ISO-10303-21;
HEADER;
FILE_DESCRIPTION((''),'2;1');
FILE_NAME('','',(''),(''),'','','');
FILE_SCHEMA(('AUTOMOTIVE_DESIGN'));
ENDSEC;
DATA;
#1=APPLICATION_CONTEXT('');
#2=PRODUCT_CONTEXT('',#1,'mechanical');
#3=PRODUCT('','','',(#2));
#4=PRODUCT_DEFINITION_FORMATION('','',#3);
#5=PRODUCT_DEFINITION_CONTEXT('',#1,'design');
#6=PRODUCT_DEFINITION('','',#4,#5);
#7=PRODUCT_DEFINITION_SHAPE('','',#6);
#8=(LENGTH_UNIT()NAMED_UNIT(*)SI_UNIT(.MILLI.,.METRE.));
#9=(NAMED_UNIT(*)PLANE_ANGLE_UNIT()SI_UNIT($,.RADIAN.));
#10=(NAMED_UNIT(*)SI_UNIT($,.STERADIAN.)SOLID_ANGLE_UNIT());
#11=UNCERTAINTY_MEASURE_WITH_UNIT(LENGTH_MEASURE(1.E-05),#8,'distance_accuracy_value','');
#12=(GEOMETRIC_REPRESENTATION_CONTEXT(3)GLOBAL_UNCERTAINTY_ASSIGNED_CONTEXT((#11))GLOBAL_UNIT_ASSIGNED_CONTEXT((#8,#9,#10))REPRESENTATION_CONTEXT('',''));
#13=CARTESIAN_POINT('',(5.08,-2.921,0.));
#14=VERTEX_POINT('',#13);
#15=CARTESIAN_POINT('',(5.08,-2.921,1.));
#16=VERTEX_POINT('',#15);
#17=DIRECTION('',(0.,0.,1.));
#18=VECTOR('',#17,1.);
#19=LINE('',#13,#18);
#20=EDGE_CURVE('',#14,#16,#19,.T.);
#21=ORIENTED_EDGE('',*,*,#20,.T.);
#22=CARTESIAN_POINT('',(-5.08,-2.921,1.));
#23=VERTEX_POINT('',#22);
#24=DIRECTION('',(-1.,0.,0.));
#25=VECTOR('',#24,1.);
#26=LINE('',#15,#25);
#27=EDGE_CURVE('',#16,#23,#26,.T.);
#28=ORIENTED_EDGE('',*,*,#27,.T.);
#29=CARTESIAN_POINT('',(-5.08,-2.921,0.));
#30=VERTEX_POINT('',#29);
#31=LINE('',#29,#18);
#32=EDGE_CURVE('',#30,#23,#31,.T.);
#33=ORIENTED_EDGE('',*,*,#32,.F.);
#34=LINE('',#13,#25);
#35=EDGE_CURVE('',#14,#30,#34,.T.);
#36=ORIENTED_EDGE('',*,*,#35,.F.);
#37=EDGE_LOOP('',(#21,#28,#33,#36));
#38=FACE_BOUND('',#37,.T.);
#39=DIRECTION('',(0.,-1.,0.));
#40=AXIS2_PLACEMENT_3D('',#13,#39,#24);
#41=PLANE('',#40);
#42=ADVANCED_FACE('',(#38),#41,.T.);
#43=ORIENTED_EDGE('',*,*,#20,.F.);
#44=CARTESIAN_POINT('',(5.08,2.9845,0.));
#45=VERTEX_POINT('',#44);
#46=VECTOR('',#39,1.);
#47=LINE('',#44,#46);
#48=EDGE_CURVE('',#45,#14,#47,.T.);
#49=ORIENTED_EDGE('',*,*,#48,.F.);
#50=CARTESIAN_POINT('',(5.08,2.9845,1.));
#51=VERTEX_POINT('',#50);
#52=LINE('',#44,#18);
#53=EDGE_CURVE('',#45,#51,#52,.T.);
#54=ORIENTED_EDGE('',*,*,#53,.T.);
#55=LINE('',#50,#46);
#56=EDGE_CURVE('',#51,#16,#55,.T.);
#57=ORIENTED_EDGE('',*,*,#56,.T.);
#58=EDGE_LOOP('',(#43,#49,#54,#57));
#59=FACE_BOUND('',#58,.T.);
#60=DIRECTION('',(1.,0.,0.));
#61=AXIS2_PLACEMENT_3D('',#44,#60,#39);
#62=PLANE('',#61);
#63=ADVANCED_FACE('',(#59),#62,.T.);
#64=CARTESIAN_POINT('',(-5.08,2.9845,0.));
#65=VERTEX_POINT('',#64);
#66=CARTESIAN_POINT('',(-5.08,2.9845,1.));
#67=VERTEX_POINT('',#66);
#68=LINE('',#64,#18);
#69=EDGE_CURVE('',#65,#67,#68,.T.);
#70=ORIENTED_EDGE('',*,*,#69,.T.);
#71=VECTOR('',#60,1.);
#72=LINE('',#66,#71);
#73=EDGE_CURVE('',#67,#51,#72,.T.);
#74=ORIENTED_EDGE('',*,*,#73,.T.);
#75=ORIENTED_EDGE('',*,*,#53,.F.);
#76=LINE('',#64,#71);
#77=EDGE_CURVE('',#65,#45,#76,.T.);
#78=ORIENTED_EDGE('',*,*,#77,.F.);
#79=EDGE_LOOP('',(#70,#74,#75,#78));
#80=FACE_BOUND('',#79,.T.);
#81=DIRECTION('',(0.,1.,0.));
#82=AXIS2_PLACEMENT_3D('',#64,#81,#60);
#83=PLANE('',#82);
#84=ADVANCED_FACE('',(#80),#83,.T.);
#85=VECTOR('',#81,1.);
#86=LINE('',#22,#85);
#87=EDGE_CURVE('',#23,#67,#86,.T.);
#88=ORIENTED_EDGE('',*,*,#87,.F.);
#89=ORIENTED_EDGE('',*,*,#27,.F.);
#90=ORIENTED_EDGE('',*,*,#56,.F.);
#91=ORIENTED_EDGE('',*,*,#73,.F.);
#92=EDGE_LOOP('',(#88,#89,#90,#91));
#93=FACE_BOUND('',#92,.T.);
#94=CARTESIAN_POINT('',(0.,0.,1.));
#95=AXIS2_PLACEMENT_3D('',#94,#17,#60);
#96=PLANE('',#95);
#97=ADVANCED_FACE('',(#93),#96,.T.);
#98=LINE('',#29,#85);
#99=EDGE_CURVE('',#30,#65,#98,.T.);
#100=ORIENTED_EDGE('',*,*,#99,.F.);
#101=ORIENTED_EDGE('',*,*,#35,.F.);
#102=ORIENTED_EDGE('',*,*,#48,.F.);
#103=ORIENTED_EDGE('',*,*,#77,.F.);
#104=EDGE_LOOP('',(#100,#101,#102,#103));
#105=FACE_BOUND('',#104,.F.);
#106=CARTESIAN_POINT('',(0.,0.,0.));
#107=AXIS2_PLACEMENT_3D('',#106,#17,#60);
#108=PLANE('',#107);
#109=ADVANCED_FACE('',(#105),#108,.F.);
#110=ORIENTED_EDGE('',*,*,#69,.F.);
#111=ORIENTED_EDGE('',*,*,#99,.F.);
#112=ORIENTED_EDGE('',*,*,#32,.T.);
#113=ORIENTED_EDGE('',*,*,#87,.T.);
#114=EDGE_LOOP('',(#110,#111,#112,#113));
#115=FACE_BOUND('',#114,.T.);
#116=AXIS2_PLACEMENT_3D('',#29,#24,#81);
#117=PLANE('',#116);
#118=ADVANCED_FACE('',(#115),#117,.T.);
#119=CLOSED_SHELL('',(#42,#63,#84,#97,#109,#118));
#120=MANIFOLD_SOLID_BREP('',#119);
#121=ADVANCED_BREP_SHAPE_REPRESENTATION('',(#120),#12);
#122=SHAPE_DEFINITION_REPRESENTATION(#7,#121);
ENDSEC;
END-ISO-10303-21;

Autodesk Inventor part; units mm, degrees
ref_plane "YZ Plane" through (0, 0, 0) normal (1, 0, 0) x (0, 1, 0)
ref_plane "XZ Plane" through (0, 0, 0) normal (0, 1, 0) x (-1, 0, 0)
ref_plane "XY Plane" through (0, 0, 0) normal (0, 0, 1) x (1, 0, 0)
sketch "6410-04, I2C_DATA_B3_B2_28" plane through (0, 0, 0) normal (0, 0, 1) x (1, 0, 0)
  line L0 (-5.08, 2.9845) -> (5.08, 2.9845)
  line L1 (5.08, 2.9845) -> (5.08, -2.921)
  line L2 (5.08, -2.921) -> (-5.08, -2.921)
  line L3 (-5.08, -2.921) -> (-5.08, 2.9845)
extrude "Extrusion1" add sketch "6410-04, I2C_DATA_B3_B2_28" along normal blind 1
properties part number "I2C_DATA_B3_B2"
